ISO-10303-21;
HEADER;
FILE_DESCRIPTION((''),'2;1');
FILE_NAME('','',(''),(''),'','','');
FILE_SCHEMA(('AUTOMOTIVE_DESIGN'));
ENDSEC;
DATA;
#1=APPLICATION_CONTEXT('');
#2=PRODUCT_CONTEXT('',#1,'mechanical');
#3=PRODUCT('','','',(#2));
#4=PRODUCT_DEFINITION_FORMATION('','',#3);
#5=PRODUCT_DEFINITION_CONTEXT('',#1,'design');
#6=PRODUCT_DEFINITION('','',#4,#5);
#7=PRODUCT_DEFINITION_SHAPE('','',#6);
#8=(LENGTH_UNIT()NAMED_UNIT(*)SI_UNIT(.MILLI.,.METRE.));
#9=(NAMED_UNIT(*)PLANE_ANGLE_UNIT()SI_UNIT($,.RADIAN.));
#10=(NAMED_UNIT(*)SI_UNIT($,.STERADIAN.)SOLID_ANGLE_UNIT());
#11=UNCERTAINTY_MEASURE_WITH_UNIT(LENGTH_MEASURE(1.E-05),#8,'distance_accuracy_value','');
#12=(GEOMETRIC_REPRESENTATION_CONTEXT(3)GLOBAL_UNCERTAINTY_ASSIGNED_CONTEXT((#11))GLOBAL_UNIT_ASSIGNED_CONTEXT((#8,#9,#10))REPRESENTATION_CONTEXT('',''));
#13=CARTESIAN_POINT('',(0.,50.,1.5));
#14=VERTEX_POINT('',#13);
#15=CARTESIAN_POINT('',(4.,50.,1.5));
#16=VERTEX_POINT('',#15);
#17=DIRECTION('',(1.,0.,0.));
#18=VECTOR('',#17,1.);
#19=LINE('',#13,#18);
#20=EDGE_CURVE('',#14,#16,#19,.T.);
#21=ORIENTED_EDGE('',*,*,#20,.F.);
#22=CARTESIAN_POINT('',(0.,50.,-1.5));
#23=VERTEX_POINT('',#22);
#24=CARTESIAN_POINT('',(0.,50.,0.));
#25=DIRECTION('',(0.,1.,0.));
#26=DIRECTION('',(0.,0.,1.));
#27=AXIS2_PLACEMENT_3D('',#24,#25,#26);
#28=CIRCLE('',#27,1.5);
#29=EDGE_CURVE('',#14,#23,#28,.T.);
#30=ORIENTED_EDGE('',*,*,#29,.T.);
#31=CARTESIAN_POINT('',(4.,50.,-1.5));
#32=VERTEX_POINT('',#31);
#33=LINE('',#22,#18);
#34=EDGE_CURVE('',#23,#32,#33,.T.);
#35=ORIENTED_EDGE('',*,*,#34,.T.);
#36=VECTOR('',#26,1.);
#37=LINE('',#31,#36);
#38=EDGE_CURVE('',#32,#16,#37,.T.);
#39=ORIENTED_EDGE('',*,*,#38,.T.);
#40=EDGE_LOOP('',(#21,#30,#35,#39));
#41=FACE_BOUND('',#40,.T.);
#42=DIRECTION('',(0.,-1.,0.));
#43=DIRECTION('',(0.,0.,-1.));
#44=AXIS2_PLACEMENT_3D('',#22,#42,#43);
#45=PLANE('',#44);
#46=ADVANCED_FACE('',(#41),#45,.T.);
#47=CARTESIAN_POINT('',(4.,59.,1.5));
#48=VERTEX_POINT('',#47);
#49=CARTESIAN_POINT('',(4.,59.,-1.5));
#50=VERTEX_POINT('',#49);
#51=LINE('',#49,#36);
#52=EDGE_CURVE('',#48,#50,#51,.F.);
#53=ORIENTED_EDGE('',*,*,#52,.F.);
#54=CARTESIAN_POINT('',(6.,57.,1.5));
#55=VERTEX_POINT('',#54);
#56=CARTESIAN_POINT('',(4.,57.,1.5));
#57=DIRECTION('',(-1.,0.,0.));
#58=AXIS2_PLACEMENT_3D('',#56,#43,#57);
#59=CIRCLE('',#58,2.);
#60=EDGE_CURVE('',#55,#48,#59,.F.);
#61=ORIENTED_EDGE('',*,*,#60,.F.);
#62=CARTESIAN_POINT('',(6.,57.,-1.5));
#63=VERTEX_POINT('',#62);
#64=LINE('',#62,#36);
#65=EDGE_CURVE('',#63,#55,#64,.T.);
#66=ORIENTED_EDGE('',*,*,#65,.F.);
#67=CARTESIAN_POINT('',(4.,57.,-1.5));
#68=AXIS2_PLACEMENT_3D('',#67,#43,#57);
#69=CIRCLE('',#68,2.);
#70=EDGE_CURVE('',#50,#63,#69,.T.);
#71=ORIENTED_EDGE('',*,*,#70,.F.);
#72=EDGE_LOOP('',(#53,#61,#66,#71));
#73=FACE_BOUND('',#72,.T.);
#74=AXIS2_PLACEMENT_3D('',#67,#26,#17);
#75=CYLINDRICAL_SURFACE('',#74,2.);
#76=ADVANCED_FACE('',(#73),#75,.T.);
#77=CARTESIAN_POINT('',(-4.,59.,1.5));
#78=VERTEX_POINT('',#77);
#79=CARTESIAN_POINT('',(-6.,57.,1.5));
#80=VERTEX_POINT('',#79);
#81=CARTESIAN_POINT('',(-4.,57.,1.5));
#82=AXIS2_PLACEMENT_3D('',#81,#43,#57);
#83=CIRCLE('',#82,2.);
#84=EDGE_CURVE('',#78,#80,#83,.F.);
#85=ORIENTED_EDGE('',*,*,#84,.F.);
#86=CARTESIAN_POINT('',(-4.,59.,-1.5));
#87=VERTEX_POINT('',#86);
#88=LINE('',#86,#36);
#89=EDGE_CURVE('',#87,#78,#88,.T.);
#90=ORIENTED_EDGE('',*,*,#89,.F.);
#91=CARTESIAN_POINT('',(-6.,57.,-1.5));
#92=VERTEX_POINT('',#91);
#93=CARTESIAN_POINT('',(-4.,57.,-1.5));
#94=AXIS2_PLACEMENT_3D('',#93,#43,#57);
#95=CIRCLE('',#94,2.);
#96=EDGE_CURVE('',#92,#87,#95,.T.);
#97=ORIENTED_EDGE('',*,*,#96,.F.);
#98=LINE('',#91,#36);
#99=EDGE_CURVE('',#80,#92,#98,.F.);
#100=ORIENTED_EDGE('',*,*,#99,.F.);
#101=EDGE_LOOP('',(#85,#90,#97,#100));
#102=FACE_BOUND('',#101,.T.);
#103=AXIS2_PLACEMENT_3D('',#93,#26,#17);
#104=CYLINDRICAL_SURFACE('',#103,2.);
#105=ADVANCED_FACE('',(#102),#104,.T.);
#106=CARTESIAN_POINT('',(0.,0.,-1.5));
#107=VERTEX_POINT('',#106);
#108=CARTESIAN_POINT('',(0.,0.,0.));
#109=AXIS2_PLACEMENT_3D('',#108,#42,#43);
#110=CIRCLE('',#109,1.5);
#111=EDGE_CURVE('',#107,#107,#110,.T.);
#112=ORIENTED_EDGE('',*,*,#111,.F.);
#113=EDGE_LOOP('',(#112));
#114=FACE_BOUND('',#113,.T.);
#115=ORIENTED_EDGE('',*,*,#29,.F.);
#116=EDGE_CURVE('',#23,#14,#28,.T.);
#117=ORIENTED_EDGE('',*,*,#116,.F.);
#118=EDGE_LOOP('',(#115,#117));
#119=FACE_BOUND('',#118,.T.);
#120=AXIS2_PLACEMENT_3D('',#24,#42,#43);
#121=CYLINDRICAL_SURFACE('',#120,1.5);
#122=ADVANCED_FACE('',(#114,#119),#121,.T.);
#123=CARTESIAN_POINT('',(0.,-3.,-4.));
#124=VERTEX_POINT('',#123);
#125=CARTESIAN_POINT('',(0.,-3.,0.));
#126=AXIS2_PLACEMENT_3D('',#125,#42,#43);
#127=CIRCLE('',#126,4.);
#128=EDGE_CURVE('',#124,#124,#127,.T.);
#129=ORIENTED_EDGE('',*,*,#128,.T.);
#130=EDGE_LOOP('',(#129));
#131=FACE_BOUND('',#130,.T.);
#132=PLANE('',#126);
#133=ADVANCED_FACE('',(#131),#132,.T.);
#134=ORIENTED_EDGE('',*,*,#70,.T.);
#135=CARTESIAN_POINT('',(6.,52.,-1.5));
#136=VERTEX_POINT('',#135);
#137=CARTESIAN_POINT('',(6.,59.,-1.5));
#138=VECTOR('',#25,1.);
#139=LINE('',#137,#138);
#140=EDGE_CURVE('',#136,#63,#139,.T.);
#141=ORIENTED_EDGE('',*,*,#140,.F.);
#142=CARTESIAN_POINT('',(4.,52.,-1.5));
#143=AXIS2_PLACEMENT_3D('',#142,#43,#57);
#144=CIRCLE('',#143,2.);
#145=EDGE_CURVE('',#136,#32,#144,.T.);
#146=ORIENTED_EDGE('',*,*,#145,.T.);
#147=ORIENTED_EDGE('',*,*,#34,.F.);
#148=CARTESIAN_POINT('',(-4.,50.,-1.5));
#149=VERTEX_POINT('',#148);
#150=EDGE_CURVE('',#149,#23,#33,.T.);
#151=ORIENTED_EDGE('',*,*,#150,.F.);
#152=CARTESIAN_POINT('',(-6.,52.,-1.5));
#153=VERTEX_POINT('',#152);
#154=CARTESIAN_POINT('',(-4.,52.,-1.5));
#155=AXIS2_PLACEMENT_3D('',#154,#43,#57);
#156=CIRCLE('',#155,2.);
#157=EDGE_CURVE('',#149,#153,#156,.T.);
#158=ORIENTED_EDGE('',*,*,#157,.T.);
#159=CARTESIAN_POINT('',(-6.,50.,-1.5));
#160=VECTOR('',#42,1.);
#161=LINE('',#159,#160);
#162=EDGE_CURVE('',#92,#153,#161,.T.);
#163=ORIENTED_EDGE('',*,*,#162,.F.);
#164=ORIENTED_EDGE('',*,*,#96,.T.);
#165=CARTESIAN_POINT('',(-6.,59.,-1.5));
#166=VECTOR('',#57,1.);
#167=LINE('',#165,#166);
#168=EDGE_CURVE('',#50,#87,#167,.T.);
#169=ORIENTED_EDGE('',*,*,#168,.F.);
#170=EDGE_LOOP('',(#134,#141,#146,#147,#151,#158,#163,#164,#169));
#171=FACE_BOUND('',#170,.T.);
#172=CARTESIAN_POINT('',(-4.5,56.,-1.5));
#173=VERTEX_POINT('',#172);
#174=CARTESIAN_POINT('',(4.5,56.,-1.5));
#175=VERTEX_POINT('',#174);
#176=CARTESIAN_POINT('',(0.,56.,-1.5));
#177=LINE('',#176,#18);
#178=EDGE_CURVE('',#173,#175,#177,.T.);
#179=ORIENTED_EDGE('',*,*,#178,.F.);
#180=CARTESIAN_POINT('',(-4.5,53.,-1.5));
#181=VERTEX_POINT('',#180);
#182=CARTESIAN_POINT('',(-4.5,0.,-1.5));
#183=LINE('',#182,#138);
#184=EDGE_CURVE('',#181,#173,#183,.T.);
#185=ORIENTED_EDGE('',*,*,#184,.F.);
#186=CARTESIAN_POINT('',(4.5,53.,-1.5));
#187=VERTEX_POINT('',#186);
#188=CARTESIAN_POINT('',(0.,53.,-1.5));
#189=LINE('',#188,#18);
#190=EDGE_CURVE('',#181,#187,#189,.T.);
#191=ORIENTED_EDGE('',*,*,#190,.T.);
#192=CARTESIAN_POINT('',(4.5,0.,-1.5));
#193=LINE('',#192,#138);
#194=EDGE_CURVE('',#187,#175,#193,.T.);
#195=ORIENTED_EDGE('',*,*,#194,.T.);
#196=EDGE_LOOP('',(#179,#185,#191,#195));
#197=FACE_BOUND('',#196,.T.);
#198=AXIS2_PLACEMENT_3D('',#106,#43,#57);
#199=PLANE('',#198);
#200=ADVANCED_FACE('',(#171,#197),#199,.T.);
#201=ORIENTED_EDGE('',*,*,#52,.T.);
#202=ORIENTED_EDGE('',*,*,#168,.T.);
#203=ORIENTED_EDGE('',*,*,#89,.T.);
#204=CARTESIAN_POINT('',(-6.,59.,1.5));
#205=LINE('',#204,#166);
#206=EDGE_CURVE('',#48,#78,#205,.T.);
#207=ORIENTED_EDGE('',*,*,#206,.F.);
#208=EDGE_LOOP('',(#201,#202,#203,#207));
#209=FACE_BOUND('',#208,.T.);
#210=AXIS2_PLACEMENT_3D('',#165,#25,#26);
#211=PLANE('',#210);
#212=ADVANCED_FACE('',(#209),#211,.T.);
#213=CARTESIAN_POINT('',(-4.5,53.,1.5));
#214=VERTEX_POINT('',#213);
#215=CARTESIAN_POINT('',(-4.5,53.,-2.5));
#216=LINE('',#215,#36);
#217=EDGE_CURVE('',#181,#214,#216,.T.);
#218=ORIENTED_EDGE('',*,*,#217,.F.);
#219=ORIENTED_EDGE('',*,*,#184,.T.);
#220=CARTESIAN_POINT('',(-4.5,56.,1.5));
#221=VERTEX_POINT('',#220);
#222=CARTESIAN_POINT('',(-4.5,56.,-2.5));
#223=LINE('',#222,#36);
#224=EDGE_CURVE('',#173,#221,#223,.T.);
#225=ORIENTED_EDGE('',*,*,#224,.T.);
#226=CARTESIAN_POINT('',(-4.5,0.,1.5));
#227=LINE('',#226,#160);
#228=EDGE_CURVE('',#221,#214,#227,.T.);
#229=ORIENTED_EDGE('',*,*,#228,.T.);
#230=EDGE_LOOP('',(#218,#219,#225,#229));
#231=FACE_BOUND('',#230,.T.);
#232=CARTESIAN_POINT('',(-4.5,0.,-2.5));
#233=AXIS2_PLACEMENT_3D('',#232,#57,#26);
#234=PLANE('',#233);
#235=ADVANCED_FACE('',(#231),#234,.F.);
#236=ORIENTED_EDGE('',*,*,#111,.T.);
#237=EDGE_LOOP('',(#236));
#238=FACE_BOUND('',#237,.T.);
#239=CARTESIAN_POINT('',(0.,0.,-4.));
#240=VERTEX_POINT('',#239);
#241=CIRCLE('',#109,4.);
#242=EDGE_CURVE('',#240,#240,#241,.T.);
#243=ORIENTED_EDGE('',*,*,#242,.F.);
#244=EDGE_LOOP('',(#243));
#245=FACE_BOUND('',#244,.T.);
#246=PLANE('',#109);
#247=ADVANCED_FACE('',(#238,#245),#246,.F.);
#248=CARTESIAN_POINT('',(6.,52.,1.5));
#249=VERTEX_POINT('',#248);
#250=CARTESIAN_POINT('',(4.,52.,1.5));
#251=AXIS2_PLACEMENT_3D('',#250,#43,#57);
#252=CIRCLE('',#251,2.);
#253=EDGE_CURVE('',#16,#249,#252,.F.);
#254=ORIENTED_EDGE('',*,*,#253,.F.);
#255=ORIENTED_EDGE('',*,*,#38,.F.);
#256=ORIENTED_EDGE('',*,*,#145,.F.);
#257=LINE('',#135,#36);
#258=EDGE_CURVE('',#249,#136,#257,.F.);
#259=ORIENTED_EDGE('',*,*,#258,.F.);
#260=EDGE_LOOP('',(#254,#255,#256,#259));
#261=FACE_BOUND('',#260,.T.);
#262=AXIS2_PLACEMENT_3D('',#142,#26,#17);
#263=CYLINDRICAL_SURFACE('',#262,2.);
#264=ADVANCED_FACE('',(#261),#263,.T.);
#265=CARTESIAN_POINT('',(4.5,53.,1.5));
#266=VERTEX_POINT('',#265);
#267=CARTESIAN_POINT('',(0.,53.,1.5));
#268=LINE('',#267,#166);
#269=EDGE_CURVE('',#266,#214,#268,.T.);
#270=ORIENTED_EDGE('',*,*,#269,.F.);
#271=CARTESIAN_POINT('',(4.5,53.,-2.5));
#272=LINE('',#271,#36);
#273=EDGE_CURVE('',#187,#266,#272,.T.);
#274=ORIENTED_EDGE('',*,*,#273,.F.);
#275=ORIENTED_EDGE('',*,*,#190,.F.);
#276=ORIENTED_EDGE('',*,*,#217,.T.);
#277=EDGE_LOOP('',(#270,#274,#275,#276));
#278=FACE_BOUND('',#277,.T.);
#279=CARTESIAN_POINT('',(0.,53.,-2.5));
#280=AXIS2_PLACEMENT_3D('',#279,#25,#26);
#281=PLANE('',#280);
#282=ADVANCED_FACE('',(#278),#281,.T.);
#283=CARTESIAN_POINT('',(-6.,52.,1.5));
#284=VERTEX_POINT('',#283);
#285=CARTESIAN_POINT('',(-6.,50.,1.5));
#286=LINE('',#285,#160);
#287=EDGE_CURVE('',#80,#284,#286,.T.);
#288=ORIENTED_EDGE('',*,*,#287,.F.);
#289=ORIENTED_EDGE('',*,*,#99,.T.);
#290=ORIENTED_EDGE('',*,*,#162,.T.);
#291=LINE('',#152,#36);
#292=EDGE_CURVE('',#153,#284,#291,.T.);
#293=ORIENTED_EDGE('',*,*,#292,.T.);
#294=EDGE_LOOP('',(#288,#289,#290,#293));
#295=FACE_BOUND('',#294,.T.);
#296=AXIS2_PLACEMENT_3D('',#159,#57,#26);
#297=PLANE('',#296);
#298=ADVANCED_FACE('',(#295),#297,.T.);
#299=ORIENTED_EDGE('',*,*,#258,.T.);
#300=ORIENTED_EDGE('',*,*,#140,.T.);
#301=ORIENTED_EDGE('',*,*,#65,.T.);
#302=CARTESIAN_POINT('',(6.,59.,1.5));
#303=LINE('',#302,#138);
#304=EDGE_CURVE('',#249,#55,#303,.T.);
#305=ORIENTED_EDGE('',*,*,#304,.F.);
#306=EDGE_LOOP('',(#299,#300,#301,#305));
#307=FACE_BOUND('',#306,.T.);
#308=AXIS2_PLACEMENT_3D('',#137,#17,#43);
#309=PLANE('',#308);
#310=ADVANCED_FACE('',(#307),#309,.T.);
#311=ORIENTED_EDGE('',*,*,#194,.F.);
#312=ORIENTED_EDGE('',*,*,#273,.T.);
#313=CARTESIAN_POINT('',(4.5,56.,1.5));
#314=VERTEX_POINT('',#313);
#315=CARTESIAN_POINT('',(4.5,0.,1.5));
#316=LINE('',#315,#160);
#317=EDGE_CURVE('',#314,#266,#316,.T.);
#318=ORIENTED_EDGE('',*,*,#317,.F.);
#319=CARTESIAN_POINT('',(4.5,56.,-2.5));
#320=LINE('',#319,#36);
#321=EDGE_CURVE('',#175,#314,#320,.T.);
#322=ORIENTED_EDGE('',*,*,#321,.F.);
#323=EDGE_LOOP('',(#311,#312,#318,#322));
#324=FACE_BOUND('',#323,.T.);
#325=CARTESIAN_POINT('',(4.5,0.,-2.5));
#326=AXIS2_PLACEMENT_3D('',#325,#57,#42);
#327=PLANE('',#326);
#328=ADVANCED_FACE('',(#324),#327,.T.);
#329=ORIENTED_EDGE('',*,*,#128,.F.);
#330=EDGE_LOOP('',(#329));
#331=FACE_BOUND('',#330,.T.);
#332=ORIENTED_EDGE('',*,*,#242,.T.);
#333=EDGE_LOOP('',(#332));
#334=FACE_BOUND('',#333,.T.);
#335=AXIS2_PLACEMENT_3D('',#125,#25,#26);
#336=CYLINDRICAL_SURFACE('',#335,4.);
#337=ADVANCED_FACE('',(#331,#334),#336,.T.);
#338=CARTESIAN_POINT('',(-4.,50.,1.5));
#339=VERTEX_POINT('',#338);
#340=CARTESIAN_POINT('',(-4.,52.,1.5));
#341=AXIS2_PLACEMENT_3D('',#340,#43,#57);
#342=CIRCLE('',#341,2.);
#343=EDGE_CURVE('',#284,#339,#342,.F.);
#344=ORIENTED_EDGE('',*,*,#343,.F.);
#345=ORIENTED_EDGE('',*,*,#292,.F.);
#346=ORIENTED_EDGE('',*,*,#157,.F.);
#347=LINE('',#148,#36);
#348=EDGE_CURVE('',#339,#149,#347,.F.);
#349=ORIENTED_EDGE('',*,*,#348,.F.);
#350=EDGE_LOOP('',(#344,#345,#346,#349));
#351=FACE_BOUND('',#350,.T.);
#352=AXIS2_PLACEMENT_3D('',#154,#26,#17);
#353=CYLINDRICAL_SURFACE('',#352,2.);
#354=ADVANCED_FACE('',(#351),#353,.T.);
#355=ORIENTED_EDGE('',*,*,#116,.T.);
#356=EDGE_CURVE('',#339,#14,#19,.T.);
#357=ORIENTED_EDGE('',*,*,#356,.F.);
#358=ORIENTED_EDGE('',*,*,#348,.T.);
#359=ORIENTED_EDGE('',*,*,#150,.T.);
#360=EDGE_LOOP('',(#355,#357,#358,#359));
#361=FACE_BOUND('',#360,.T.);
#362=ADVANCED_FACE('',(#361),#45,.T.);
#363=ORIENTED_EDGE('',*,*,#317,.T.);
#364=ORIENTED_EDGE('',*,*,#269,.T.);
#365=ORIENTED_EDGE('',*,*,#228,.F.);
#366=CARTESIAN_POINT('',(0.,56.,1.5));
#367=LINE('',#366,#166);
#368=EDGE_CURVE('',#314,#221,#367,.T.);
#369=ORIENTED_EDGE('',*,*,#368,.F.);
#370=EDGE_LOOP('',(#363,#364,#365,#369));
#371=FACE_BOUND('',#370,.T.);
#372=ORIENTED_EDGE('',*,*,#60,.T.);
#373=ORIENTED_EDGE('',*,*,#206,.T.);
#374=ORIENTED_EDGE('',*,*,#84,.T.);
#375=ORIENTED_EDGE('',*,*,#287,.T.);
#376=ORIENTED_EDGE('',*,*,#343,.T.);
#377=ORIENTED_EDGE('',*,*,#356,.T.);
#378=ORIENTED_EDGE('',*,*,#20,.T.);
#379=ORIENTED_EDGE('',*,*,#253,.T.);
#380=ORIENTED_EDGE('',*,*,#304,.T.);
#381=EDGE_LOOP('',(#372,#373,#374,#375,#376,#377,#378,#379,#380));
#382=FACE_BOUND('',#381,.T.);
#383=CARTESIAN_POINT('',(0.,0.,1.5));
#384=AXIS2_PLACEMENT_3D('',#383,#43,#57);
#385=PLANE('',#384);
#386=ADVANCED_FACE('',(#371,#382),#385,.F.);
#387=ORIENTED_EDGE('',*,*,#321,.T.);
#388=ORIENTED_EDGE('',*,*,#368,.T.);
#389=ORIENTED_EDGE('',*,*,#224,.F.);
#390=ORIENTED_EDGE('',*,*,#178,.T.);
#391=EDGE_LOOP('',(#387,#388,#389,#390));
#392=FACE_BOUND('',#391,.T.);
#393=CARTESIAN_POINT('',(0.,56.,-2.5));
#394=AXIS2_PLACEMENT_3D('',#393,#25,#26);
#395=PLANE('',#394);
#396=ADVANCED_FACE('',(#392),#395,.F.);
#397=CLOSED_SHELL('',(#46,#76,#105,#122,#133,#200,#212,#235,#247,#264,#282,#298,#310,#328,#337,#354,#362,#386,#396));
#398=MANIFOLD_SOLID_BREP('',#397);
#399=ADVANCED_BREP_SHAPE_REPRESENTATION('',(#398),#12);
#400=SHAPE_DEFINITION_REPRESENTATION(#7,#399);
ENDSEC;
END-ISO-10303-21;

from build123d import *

# Parameters (mm, degrees)
SKETCH1_R           = 1.5
BOSS_EXTRUDE1_DEPTH = 50
SKETCH2_R           = 4
BOSS_EXTRUDE2_DEPTH = 3
BOSS_EXTRUDE3_DEPTH = 3
SKETCH5_W           = 4.5
SKETCH5_H           = 3
CUT_EXTRUDE1_DEPTH  = 4
FILLET1_R           = 2


with BuildPart() as part:
    # Sketch1 → Boss-Extrude1 (new body)
    with BuildSketch(Plane(origin=(0, 0, 0), x_dir=(1, 0, 0), z_dir=(0, 1, 0))):
        Circle(SKETCH1_R)
    extrude(amount=BOSS_EXTRUDE1_DEPTH)

    # Sketch2 → Boss-Extrude2 (add)
    with BuildSketch(Plane(origin=(0, 0, 0), x_dir=(-1, 0, 0), z_dir=(0, -1, 0))):
        Circle(SKETCH2_R)
    extrude(amount=BOSS_EXTRUDE2_DEPTH)

    # Sketch4 → Boss-Extrude3 (add)
    with BuildSketch(Plane.XY.offset(1.5)):
        Polygon((0, 50), (6, 50), (6, 59), (-6, 59), (-6, 50), align=None)
    extrude(amount=-BOSS_EXTRUDE3_DEPTH)

    # Sketch5 → Cut-Extrude1 (cut)
    with BuildSketch(Plane.XY.offset(1.5)):
        with Locations((-2.25, 54.5)):
            Rectangle(SKETCH5_W, SKETCH5_H)
        with Locations((2.25, 54.5)):
            Rectangle(SKETCH5_W, SKETCH5_H)
    extrude(amount=-CUT_EXTRUDE1_DEPTH, mode=Mode.SUBTRACT)

    # Fillet1
    fillet1_edges = [part.edges().sort_by_distance(p)[0] for p in [
        (6, 50, 0),
        (-6, 50, 0),
        (-6, 59, 0),
        (6, 59, 0),
    ]]
    fillet(fillet1_edges, radius=FILLET1_R)


solid = part.part
